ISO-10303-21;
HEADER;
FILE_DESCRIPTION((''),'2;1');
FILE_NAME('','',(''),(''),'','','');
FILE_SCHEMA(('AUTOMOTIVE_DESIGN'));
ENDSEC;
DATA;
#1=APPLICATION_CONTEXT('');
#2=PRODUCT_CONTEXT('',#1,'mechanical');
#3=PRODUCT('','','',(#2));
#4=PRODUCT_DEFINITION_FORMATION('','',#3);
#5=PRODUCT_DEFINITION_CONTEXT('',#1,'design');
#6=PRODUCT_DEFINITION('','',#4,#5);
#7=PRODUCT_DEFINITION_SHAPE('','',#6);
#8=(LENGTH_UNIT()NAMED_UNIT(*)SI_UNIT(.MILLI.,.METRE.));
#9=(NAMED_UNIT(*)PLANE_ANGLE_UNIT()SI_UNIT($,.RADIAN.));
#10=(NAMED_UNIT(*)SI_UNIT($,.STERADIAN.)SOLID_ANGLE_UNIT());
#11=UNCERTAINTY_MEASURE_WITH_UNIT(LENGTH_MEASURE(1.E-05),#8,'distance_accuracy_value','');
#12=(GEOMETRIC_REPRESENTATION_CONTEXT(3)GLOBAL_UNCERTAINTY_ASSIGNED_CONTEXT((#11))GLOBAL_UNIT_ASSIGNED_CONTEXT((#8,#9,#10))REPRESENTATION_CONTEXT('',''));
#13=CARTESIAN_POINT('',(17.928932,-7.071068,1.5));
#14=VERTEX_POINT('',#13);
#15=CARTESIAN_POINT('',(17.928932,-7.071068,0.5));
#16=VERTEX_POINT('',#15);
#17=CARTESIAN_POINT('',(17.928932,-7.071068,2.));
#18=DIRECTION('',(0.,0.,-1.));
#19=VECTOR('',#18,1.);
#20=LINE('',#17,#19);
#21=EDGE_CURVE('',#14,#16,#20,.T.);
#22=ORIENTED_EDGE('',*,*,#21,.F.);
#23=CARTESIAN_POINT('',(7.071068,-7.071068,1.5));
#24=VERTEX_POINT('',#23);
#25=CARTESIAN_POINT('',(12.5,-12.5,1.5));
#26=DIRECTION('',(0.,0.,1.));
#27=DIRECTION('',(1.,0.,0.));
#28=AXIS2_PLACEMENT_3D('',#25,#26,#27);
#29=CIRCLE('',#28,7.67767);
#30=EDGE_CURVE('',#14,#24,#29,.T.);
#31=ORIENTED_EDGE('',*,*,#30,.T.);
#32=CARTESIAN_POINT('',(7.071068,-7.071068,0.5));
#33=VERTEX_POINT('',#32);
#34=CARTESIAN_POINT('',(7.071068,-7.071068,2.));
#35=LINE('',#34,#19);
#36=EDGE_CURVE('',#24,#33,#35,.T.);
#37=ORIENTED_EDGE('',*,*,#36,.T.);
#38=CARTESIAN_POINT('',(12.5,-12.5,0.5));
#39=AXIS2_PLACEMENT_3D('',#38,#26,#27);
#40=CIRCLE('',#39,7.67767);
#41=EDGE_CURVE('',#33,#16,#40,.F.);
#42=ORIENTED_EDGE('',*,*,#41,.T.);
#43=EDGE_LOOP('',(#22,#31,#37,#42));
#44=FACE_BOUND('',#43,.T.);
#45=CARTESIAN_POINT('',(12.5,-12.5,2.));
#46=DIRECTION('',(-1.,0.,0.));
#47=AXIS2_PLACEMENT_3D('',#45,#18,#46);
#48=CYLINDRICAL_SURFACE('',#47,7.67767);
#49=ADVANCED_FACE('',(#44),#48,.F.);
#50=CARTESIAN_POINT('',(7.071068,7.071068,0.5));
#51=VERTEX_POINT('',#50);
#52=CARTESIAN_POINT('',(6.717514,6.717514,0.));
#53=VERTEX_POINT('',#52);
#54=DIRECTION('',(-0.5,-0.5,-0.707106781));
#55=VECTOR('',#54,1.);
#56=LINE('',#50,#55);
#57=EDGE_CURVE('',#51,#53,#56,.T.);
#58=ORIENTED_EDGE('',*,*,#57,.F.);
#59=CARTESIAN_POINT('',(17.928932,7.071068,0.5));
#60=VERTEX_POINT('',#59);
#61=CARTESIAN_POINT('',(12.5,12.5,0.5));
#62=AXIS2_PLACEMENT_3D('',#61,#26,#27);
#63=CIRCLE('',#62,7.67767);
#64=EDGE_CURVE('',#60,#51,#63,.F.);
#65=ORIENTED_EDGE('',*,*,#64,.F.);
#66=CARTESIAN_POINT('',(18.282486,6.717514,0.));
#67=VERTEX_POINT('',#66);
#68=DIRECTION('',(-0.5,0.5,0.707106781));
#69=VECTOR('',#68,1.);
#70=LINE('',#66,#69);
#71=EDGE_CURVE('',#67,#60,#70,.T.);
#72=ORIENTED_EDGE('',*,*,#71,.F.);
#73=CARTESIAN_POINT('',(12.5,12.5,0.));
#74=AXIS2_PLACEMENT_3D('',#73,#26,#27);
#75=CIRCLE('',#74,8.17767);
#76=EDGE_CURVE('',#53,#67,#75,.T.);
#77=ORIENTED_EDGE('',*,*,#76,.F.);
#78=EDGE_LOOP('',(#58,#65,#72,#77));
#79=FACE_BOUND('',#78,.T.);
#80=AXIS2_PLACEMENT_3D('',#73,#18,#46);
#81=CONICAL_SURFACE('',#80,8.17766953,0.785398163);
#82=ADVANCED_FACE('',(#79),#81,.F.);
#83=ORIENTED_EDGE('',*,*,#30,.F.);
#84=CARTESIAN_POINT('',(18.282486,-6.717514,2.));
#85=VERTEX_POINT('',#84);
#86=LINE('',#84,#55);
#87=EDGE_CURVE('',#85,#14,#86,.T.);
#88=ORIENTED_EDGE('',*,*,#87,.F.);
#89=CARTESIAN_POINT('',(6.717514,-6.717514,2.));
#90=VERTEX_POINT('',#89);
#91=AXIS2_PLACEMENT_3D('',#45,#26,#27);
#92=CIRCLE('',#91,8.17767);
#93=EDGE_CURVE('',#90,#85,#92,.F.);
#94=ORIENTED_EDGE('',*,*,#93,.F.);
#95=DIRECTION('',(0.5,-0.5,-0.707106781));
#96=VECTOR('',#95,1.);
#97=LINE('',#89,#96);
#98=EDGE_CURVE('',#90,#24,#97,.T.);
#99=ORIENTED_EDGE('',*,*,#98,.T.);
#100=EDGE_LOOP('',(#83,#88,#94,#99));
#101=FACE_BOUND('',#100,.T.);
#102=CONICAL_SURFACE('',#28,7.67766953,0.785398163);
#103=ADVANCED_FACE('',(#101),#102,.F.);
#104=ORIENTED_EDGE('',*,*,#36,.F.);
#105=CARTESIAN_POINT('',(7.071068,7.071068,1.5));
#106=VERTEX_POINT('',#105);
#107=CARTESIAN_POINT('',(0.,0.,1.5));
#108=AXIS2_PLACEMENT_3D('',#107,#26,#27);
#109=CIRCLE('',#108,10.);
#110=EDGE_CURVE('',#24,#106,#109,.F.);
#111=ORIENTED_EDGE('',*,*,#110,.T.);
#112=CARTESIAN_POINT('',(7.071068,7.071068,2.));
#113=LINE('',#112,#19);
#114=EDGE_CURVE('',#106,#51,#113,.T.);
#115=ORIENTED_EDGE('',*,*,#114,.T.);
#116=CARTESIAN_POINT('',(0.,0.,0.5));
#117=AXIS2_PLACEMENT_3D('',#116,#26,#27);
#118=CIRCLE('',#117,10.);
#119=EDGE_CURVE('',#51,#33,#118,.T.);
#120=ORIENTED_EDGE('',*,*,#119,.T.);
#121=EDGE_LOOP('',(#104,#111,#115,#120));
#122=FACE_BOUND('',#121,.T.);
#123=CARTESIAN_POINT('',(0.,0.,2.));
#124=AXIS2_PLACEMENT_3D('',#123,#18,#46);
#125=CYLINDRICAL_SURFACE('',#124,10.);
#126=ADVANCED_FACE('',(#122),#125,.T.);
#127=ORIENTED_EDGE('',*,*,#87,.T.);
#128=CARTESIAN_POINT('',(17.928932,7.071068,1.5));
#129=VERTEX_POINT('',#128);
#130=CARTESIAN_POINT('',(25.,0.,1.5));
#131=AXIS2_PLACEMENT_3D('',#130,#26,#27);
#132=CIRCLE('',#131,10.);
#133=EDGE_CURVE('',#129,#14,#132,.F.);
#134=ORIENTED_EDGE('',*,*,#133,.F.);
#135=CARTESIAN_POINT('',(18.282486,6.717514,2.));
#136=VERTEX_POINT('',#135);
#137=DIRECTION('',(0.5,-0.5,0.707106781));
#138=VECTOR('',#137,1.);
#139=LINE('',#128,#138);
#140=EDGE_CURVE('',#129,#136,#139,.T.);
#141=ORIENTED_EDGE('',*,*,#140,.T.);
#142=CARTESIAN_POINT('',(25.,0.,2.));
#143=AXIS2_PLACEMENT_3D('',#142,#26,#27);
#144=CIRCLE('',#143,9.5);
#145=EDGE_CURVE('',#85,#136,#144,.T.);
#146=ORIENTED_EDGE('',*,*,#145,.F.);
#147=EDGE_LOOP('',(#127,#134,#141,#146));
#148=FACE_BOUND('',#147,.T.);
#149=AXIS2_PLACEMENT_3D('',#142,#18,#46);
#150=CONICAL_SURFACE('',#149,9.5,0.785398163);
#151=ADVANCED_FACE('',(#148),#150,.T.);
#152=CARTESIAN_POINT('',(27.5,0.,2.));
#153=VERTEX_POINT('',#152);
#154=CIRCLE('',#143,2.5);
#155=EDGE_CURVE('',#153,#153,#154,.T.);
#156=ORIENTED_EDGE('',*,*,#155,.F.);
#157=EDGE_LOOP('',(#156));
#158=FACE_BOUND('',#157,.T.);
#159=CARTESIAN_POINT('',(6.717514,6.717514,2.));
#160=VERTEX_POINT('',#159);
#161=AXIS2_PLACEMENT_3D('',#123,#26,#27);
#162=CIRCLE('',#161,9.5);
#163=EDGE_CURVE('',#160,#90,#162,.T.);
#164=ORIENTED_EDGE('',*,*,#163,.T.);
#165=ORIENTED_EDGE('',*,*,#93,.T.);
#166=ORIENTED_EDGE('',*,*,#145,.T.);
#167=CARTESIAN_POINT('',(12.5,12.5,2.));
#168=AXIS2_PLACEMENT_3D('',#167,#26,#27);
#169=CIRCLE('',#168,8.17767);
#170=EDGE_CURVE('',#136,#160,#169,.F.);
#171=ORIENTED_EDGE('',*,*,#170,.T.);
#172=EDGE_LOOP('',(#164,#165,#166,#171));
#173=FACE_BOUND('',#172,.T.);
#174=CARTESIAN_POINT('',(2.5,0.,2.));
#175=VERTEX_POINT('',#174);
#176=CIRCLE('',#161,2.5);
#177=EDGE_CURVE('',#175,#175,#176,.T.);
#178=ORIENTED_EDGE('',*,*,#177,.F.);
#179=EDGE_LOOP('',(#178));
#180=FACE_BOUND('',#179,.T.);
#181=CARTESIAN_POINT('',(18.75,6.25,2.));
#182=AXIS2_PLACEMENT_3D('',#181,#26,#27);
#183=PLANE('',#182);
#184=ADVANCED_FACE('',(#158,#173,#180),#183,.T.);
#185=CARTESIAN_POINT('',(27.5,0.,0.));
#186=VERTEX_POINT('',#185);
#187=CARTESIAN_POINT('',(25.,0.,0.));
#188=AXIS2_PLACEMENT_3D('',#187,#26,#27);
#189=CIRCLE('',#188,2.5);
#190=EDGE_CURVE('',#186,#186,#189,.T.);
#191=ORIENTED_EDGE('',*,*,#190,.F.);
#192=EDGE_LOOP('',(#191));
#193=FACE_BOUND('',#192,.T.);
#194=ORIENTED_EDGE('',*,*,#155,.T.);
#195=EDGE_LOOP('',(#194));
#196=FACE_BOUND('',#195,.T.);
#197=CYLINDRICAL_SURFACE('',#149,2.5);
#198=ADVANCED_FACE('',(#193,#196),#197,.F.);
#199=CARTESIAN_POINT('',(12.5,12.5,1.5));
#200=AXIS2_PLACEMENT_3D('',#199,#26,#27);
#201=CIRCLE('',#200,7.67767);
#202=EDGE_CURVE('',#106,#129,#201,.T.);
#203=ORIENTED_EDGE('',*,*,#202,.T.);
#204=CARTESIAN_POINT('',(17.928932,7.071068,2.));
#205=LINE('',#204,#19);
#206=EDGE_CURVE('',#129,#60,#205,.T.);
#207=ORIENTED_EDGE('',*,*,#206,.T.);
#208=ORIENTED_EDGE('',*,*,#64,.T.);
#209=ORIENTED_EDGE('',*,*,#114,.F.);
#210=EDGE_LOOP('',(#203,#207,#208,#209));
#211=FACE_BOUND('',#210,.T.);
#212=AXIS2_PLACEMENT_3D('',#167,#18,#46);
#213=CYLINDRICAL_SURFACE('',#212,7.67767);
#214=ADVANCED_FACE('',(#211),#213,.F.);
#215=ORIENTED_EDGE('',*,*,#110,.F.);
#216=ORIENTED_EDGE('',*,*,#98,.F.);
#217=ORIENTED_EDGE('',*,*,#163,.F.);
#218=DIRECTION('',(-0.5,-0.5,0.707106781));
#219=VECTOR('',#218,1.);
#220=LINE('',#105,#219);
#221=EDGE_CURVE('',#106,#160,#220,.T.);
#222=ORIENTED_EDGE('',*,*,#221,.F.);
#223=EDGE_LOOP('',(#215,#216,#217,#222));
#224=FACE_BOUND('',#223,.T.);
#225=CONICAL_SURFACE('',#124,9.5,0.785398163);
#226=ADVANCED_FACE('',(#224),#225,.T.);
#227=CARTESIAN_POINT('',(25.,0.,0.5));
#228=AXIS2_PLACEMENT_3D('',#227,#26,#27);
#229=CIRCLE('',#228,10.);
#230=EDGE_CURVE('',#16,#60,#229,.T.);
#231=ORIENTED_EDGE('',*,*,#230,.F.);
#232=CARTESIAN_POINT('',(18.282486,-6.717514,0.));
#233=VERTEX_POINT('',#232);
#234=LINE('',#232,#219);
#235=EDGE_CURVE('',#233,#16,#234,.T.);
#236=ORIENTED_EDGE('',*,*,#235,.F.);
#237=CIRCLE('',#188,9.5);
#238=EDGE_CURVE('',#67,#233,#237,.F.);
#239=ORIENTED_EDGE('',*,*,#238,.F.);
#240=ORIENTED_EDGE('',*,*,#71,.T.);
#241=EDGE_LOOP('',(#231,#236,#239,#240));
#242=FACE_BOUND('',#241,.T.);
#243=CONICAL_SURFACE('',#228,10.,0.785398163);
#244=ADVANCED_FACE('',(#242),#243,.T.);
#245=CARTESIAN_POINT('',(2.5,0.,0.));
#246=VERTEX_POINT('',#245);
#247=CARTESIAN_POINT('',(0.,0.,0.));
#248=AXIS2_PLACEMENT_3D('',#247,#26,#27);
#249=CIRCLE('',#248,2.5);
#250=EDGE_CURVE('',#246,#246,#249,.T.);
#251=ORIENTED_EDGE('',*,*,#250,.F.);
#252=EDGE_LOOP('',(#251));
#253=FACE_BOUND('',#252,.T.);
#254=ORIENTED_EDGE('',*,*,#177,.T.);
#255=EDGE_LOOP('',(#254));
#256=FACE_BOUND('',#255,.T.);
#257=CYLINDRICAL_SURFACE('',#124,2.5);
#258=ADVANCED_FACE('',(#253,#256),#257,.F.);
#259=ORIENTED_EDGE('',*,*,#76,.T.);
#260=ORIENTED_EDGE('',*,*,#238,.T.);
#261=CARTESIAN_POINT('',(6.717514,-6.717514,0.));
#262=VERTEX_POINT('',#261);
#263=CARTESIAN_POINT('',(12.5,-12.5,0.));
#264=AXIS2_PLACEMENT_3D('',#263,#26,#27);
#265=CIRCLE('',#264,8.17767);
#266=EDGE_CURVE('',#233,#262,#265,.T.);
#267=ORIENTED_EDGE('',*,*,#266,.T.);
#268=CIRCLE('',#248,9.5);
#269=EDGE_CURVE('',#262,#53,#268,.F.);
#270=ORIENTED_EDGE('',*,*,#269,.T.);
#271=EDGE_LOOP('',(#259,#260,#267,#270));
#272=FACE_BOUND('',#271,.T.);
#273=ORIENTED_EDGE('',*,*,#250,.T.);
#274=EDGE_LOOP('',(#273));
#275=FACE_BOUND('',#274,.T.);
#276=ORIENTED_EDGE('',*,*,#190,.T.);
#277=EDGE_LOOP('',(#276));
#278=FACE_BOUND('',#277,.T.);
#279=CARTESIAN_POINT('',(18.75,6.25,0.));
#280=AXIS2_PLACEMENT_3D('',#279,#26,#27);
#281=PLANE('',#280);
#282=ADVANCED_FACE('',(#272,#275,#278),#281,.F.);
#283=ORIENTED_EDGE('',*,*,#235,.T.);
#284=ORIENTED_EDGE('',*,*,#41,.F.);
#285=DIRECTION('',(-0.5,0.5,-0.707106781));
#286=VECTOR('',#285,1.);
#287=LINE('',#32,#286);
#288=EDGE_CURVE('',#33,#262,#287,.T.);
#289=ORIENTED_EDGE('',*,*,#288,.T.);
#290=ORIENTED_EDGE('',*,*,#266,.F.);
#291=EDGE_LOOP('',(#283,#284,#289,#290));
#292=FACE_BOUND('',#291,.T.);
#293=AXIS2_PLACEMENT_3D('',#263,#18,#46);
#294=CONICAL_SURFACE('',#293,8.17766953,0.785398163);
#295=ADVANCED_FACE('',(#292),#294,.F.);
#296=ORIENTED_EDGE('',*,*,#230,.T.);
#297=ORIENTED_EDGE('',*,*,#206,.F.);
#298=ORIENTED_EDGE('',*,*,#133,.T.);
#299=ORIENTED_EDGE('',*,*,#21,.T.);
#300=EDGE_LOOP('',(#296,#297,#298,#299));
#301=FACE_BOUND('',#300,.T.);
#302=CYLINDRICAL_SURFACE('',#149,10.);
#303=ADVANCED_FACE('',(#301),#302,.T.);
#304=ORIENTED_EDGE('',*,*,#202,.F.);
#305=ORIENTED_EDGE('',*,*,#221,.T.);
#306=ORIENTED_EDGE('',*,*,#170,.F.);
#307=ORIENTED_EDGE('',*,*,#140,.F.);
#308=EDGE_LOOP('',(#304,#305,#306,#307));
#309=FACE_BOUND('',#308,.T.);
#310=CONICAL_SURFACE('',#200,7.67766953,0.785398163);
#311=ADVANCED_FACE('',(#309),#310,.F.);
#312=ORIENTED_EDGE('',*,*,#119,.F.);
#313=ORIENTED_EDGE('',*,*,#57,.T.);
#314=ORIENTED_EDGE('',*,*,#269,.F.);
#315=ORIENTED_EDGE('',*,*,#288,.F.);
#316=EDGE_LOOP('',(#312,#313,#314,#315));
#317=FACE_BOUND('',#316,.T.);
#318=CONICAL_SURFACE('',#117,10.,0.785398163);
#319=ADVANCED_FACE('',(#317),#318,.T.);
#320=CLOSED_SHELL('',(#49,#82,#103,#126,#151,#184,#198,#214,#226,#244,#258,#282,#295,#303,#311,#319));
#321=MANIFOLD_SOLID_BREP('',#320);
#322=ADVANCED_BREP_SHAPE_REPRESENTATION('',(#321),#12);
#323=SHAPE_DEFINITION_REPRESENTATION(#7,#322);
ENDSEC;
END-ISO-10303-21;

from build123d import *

# Parameters (mm, degrees)
SKETCH1_R           = 2.5
BOSS_EXTRUDE1_DEPTH = 2
CHAMFER1_SIZE       = 0.5


with BuildPart() as part:
    # Sketch1 → Boss-Extrude1 (new body)
    with BuildSketch(Plane.XY):
        with BuildLine():
            ThreePointArc((17.928932188, -7.071067812), (35, 0), (17.928932188, 7.071067812))
            ThreePointArc((17.928932188, 7.071067812), (12.5, 4.82233047), (7.071067812, 7.071067812))
            ThreePointArc((7.071067812, 7.071067812), (-10, 0), (7.071067812, -7.071067812))
            ThreePointArc((7.071067812, -7.071067812), (12.5, -4.82233047), (17.928932188, -7.071067812))
        make_face()
        with Locations((25, 0)):
            Circle(SKETCH1_R, mode=Mode.SUBTRACT)
        Circle(SKETCH1_R, mode=Mode.SUBTRACT)
    extrude(amount=BOSS_EXTRUDE1_DEPTH)

    # Chamfer1
    chamfer1_edges = [part.edges().sort_by_distance(p)[0] for p in [
        (12.5, -4.82233047, 2),
        (-10, 0, 2),
        (12.5, 4.82233047, 2),
        (-10, 0, 0),
        (12.5, -4.82233047, 0),
        (35, 0, 0),
        (12.5, 4.82233047, 0),
        (35, 0, 2),
    ]]
    chamfer(chamfer1_edges, length=CHAMFER1_SIZE)


solid = part.part
